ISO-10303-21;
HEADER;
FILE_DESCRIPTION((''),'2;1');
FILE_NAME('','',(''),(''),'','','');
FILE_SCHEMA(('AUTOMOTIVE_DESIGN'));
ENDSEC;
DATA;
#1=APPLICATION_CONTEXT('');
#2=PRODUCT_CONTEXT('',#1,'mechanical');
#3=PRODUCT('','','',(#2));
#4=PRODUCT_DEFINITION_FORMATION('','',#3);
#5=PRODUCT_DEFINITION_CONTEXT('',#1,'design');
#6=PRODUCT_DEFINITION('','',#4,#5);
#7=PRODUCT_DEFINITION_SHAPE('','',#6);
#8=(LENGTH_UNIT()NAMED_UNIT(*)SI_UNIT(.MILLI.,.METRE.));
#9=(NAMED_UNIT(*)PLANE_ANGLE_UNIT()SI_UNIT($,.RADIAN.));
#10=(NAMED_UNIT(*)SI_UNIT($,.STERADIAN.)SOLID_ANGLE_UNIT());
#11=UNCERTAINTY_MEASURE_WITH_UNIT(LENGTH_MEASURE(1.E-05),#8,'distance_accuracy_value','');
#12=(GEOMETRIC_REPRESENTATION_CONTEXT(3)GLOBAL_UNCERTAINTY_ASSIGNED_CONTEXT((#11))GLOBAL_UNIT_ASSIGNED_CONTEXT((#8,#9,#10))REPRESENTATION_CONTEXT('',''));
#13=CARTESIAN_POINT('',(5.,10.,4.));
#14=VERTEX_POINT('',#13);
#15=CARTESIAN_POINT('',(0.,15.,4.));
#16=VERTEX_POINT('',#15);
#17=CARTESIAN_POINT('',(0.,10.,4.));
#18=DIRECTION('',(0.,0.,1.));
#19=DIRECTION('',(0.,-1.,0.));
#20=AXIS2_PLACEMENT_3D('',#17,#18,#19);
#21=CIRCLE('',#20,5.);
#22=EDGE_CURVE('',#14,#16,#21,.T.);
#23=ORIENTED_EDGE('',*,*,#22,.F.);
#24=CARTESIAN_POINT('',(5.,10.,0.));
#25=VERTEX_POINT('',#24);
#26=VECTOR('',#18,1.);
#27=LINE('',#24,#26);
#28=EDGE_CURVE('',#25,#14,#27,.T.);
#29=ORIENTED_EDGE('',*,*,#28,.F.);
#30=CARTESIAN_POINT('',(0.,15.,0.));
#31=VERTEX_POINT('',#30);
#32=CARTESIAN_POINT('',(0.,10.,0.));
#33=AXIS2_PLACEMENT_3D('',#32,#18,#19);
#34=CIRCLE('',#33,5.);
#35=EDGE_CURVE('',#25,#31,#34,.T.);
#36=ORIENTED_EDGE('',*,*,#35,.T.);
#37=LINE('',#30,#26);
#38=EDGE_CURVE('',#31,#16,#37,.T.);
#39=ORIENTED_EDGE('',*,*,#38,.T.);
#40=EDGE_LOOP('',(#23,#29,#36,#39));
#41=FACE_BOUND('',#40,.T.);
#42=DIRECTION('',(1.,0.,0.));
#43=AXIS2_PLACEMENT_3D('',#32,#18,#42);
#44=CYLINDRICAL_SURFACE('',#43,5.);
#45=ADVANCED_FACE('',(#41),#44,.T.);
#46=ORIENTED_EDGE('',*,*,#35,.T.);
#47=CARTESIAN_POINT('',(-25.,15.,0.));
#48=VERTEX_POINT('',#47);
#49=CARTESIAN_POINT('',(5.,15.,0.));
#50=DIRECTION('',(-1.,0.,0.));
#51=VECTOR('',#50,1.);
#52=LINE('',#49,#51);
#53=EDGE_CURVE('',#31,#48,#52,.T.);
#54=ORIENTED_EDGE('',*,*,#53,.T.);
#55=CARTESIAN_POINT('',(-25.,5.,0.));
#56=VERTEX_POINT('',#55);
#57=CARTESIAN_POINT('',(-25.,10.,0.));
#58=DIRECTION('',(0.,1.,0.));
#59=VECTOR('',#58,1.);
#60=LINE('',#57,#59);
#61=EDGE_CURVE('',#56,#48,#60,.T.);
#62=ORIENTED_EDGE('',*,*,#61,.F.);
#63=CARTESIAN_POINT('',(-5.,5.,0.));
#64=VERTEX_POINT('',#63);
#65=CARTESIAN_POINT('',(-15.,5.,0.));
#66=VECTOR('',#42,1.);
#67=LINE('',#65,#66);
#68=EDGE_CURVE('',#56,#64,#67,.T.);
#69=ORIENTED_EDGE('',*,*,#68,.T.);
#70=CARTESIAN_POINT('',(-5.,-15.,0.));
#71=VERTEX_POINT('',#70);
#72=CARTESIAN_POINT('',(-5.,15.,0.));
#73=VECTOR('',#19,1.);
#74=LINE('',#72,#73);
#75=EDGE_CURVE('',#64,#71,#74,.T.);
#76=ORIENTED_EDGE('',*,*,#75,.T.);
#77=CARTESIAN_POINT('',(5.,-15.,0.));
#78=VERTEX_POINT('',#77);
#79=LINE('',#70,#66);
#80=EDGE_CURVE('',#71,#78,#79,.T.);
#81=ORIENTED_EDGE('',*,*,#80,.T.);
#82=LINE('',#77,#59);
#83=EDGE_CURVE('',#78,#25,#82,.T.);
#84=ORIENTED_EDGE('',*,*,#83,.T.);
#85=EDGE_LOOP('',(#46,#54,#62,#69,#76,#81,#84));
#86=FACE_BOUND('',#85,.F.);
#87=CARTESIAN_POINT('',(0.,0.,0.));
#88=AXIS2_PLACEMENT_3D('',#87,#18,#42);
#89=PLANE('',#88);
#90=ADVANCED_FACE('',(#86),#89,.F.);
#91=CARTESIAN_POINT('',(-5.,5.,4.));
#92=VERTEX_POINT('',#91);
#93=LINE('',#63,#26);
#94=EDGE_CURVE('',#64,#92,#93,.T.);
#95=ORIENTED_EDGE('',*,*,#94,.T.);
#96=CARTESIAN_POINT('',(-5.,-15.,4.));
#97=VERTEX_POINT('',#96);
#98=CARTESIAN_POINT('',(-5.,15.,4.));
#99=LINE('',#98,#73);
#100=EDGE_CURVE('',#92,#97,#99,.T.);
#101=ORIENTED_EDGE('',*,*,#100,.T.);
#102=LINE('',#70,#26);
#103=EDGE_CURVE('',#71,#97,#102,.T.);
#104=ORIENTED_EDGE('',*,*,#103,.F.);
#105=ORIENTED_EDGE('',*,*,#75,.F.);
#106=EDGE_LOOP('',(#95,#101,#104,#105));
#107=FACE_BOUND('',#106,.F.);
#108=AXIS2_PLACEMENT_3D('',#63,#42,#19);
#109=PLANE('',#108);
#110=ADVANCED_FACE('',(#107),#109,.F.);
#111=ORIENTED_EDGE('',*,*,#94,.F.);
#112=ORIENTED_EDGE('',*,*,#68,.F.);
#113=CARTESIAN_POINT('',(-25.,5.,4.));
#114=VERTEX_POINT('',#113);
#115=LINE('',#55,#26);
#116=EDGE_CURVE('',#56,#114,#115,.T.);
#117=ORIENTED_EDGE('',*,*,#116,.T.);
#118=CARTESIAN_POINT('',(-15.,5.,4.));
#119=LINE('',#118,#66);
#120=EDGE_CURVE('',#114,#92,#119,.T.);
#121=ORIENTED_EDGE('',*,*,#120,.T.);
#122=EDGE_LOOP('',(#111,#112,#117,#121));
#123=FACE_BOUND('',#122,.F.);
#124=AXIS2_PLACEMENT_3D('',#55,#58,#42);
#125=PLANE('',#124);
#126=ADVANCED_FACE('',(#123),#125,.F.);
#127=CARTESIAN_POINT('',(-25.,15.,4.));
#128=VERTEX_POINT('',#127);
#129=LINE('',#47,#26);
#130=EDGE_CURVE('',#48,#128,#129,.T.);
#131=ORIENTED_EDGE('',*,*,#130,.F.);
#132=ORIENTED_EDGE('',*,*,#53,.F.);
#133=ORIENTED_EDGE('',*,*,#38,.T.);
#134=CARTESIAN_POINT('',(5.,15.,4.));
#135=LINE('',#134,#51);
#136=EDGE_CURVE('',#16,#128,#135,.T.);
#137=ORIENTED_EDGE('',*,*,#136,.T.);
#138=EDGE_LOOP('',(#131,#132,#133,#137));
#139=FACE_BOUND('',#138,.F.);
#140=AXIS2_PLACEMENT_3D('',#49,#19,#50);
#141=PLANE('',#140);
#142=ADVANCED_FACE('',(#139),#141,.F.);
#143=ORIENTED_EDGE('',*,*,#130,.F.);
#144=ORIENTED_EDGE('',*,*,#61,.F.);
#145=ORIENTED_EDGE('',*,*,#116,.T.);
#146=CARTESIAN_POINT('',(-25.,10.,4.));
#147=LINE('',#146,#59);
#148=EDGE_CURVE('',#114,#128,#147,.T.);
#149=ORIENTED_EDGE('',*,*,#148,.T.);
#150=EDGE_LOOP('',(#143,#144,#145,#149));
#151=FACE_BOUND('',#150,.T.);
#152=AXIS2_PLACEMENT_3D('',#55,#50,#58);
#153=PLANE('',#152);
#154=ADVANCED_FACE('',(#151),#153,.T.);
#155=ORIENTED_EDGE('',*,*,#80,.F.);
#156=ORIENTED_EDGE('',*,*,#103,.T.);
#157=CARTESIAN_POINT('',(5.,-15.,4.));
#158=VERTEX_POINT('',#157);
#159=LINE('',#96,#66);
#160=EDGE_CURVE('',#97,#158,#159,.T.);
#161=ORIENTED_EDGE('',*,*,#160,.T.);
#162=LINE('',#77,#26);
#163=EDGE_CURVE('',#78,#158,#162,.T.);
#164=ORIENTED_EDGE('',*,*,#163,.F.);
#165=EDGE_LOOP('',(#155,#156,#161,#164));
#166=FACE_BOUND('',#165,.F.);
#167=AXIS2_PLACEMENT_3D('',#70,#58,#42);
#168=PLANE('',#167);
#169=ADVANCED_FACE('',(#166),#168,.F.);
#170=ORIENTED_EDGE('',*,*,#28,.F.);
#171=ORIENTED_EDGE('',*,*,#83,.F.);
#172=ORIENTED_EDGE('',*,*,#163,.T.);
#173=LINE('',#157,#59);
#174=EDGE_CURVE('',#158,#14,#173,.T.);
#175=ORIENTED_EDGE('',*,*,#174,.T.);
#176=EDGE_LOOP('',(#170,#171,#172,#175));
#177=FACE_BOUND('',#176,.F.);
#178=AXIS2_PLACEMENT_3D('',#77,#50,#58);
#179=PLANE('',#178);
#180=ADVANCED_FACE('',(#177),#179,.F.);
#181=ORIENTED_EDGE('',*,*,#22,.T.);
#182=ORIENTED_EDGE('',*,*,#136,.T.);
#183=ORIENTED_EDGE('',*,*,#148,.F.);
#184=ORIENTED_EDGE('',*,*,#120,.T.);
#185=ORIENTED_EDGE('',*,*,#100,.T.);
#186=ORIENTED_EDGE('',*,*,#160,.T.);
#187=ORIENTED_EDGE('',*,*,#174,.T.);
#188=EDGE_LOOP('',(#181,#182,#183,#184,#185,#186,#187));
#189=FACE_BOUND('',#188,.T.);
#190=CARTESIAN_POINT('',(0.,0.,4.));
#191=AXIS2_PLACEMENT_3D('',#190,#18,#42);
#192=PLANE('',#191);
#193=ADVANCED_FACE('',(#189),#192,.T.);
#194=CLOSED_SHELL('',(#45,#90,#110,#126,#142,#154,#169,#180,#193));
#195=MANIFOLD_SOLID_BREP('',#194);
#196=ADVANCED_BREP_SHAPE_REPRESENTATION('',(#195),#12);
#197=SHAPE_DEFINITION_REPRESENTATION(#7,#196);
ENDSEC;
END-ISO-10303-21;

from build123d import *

# Parameters (mm, degrees)
F0_W     = 20
F0_H     = 10
F1_DEPTH = 4
F2_R     = 5


with BuildPart() as f1:
    # F0 (on Top) → F1 (new body)
    with BuildSketch(Plane.XY):
        Polygon((5, -15), (5, 15), (-5, 15), (-5, 5), (-5, -15), align=None)
        with Locations((-15, 10)):
            Rectangle(F0_W, F0_H)
    extrude(amount=F1_DEPTH)

    # F2
    f2_edges = [f1.edges().sort_by_distance(p)[0] for p in [
        (5, 15, 2),
    ]]
    fillet(f2_edges, radius=F2_R)


solid = f1.part
